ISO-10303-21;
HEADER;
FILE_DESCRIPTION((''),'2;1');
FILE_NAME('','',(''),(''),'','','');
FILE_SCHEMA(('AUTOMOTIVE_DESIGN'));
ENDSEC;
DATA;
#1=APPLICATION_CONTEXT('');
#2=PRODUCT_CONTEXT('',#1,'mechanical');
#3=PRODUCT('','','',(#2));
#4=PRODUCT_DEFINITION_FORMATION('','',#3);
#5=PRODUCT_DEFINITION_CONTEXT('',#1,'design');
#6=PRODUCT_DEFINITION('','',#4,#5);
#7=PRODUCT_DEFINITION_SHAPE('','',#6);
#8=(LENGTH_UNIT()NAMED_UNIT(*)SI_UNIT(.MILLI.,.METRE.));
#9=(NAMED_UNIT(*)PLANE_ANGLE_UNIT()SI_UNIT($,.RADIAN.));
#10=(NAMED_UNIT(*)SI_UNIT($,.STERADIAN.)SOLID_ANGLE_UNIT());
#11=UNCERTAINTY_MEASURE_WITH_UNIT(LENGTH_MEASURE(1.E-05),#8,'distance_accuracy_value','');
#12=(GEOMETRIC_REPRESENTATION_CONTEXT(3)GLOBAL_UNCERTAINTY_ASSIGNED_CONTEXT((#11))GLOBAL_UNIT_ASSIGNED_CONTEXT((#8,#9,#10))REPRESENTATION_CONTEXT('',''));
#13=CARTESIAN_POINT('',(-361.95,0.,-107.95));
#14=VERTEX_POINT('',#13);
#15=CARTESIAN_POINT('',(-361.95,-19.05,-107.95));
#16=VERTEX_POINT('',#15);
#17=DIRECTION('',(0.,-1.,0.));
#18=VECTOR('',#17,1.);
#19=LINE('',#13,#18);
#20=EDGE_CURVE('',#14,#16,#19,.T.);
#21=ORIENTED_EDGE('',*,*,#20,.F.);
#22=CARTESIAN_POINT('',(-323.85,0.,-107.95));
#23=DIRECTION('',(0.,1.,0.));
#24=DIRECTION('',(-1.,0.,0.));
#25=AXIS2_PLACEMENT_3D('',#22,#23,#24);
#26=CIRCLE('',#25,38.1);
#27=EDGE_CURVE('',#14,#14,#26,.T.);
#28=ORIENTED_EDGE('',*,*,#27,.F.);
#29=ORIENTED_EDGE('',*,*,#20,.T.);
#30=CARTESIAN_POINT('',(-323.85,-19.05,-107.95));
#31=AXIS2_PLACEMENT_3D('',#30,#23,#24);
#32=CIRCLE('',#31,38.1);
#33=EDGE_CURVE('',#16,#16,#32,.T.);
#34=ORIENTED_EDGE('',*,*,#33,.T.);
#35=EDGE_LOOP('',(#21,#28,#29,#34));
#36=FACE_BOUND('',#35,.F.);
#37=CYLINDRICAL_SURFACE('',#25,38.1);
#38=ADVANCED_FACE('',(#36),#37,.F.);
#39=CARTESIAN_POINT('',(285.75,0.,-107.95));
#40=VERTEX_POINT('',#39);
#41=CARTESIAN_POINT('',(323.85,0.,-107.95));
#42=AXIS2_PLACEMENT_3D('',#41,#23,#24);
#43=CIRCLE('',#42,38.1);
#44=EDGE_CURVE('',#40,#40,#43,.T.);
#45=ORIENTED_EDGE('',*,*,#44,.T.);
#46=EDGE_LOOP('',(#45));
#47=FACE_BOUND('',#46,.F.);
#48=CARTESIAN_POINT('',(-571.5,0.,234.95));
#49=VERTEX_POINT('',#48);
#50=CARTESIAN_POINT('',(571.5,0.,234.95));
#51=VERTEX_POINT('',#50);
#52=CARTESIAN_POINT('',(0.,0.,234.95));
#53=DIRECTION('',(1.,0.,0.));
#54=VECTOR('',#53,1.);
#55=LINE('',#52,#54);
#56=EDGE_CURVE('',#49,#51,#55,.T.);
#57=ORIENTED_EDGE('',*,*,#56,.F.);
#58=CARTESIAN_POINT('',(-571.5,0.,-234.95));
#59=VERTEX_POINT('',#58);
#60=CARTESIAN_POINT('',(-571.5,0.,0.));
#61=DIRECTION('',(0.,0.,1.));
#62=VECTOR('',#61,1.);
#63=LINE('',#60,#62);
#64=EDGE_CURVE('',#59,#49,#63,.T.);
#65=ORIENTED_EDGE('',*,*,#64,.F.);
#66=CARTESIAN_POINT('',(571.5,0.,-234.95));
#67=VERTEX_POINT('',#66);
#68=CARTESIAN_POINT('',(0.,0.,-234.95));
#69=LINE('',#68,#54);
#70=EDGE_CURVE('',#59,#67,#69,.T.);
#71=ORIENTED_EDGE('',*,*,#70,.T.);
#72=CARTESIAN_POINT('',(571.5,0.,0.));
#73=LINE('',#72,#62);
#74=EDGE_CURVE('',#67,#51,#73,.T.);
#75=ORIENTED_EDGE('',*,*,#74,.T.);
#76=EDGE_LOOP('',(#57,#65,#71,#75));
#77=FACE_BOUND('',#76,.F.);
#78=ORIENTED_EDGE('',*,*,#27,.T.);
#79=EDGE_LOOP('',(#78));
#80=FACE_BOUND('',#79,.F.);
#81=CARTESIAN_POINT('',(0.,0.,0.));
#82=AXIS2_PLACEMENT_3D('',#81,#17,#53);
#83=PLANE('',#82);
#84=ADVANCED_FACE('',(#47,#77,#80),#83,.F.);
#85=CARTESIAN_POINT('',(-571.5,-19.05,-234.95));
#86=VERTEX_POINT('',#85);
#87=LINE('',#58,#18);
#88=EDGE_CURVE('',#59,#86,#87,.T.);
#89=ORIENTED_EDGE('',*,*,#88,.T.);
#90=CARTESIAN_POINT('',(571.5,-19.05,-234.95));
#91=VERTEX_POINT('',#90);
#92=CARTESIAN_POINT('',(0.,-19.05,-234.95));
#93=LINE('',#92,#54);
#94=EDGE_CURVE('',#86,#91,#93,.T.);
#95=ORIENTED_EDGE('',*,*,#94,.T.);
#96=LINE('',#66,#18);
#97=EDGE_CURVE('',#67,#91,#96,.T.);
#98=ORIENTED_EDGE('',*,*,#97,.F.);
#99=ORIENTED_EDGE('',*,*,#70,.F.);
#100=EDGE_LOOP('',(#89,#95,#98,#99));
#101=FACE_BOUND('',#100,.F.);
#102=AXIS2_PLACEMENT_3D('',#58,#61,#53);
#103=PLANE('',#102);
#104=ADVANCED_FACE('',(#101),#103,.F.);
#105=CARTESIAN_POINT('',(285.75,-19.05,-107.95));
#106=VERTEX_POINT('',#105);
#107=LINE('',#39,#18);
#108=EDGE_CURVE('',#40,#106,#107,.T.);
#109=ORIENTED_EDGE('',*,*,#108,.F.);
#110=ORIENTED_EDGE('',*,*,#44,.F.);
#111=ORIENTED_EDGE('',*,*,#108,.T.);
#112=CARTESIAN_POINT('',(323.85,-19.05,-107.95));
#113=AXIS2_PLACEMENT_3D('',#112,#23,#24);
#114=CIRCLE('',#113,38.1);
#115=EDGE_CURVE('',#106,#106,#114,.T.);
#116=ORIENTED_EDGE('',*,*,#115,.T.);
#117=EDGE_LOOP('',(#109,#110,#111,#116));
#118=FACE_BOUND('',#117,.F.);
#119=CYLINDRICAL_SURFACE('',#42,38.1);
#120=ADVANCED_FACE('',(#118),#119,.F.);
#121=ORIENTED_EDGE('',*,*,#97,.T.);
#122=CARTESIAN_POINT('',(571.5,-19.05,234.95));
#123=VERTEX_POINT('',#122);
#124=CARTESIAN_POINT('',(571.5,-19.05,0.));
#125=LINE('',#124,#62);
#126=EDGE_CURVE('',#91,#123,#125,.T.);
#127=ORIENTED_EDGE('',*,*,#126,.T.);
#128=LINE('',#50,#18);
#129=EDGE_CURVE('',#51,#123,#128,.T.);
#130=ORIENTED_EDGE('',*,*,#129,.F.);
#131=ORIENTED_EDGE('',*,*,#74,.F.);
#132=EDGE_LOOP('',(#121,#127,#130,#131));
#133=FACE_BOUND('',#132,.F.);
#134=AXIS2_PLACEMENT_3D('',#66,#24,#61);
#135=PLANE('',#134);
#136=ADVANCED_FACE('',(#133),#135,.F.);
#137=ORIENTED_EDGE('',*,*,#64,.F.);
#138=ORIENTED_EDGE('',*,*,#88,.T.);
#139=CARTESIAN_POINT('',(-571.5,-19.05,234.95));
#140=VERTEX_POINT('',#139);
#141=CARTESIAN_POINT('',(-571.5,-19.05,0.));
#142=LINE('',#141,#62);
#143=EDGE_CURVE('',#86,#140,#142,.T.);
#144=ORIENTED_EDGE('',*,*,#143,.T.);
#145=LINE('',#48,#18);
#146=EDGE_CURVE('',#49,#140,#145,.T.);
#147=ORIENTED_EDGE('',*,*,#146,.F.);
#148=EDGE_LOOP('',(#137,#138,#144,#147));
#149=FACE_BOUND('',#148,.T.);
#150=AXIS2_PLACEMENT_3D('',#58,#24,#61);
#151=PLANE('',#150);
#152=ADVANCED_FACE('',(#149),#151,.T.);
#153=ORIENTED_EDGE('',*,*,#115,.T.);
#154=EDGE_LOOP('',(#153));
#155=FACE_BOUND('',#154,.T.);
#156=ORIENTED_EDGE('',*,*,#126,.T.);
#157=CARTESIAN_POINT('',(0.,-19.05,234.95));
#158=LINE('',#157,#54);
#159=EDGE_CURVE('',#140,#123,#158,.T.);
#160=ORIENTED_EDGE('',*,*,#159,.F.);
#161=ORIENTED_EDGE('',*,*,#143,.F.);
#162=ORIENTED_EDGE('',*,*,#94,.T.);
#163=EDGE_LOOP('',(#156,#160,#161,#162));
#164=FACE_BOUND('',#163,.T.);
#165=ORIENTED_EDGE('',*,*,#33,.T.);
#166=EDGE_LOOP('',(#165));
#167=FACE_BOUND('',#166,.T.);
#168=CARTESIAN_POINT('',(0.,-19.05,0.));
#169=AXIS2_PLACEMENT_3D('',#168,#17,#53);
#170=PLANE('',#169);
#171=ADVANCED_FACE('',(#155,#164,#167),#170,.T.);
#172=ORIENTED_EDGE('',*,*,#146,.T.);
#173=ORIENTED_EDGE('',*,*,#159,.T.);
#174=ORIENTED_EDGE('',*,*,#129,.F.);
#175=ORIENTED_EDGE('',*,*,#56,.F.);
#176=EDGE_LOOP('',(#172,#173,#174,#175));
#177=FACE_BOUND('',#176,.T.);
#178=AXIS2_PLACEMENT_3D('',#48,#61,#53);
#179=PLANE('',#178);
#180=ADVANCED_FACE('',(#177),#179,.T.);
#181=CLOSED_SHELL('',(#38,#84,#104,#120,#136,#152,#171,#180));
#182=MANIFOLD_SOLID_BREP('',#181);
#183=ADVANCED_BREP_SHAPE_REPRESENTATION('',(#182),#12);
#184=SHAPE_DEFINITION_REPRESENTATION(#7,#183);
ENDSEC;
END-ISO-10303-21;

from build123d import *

# Parameters (mm, degrees)
F0_W     = 1143
F0_H     = 469.9
F1_DEPTH = 19.05
F2_R     = 38.1
F3_DEPTH = 19.051


with BuildPart() as f1:
    # F0 (on Front) → F1 (new body)
    with BuildSketch(Plane.XZ):
        Rectangle(F0_W, F0_H)
    extrude(amount=F1_DEPTH)

    # F2 (on face) → F3 (cut, through all)
    with BuildSketch(Plane(origin=(0, 0, 0), x_dir=(-1, 0, 0), z_dir=(0, 1, 0))):
        with Locations((-323.85, -107.95)):
            Circle(F2_R)
        with Locations((323.85, -107.95)):
            Circle(F2_R)
    extrude(amount=-F3_DEPTH, mode=Mode.SUBTRACT)


solid = f1.part
